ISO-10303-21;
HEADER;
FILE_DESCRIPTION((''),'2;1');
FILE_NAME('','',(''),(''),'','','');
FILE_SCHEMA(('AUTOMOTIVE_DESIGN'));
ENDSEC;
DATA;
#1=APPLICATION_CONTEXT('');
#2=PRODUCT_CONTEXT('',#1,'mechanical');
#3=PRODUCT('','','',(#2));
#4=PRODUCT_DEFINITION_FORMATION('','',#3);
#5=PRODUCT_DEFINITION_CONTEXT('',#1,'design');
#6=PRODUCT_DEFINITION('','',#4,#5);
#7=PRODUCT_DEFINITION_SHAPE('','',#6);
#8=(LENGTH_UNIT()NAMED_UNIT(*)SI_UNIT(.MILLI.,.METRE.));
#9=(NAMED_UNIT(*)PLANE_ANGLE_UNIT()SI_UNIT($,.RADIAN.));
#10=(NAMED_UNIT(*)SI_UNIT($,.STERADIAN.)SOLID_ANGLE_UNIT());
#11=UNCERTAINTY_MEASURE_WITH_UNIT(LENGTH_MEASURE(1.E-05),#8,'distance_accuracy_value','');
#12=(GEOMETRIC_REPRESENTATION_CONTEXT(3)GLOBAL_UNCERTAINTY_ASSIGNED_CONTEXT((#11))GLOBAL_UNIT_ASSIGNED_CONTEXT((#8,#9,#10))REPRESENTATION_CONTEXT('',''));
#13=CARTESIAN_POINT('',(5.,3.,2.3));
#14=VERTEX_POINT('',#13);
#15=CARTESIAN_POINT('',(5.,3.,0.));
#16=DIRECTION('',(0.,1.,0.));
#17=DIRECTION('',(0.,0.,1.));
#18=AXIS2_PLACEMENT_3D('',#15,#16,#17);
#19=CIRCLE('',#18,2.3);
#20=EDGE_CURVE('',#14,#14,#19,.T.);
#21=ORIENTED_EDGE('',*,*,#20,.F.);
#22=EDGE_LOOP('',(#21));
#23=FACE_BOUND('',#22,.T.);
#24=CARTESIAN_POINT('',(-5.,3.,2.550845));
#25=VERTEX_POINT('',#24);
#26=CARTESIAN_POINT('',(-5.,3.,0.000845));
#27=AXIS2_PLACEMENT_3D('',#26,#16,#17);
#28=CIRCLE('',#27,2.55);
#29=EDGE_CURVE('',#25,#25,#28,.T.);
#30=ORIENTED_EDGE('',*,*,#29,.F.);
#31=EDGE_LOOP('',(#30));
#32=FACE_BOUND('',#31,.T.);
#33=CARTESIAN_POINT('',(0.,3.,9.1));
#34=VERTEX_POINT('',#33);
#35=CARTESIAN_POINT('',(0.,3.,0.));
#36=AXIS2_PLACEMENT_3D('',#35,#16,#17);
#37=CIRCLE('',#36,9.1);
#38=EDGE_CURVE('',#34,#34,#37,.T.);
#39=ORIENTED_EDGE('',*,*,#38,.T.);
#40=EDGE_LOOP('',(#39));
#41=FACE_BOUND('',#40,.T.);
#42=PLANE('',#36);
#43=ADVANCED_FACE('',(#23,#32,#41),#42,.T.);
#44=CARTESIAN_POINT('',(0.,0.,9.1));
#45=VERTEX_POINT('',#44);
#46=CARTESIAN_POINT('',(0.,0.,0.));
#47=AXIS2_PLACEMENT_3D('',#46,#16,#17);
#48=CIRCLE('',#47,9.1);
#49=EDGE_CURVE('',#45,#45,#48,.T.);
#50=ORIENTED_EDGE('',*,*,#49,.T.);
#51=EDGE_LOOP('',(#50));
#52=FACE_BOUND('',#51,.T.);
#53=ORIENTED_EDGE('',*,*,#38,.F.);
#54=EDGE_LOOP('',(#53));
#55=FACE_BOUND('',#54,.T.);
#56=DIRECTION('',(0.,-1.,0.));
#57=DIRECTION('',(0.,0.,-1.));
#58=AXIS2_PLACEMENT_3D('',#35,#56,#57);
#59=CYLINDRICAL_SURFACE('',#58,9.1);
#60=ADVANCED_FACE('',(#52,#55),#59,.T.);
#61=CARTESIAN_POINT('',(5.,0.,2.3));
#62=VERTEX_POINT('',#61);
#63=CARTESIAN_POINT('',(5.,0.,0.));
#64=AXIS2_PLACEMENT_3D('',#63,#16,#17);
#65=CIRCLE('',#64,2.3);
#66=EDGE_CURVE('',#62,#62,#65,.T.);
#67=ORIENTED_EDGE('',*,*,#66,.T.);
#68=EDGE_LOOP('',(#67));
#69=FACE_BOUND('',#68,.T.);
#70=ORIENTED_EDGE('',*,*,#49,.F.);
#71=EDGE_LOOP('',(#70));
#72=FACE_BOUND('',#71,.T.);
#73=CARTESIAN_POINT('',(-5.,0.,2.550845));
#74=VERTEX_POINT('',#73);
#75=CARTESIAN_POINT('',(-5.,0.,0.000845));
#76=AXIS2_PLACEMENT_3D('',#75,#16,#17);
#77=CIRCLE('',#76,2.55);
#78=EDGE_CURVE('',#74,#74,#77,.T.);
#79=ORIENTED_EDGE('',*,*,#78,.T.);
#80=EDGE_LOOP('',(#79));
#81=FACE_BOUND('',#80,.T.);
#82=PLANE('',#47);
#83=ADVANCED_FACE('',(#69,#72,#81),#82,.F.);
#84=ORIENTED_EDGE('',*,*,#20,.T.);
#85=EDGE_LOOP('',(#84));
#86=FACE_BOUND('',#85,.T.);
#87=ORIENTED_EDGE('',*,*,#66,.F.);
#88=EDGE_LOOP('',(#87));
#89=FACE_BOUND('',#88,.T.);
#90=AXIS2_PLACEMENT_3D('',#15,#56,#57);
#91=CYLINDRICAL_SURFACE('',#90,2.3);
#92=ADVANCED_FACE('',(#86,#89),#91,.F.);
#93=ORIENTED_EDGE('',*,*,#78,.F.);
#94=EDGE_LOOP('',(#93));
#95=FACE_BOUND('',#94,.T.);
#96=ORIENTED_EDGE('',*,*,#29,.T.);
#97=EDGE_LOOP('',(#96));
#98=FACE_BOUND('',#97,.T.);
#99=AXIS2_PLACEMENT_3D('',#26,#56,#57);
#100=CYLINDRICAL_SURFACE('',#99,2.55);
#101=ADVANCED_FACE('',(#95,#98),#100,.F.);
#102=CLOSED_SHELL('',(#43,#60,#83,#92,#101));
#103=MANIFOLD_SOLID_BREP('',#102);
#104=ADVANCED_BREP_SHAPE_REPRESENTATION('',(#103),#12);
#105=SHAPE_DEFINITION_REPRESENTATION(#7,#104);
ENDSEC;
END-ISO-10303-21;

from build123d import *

# Parameters (mm, degrees)
SKETCH1_R           = 9.1
SKETCH1_R_2         = 2.3
SKETCH1_R_3         = 2.55
BOSS_EXTRUDE1_DEPTH = 3


with BuildPart() as part:
    # Sketch1 → Boss-Extrude1 (new body)
    with BuildSketch(Plane(origin=(0, 0, 0), x_dir=(1, 0, 0), z_dir=(0, 1, 0))):
        Circle(SKETCH1_R)
        with Locations((5, 0)):
            Circle(SKETCH1_R_2, mode=Mode.SUBTRACT)
        with Locations((-5, -0.000844513)):
            Circle(SKETCH1_R_3, mode=Mode.SUBTRACT)
    extrude(amount=BOSS_EXTRUDE1_DEPTH)


solid = part.part
